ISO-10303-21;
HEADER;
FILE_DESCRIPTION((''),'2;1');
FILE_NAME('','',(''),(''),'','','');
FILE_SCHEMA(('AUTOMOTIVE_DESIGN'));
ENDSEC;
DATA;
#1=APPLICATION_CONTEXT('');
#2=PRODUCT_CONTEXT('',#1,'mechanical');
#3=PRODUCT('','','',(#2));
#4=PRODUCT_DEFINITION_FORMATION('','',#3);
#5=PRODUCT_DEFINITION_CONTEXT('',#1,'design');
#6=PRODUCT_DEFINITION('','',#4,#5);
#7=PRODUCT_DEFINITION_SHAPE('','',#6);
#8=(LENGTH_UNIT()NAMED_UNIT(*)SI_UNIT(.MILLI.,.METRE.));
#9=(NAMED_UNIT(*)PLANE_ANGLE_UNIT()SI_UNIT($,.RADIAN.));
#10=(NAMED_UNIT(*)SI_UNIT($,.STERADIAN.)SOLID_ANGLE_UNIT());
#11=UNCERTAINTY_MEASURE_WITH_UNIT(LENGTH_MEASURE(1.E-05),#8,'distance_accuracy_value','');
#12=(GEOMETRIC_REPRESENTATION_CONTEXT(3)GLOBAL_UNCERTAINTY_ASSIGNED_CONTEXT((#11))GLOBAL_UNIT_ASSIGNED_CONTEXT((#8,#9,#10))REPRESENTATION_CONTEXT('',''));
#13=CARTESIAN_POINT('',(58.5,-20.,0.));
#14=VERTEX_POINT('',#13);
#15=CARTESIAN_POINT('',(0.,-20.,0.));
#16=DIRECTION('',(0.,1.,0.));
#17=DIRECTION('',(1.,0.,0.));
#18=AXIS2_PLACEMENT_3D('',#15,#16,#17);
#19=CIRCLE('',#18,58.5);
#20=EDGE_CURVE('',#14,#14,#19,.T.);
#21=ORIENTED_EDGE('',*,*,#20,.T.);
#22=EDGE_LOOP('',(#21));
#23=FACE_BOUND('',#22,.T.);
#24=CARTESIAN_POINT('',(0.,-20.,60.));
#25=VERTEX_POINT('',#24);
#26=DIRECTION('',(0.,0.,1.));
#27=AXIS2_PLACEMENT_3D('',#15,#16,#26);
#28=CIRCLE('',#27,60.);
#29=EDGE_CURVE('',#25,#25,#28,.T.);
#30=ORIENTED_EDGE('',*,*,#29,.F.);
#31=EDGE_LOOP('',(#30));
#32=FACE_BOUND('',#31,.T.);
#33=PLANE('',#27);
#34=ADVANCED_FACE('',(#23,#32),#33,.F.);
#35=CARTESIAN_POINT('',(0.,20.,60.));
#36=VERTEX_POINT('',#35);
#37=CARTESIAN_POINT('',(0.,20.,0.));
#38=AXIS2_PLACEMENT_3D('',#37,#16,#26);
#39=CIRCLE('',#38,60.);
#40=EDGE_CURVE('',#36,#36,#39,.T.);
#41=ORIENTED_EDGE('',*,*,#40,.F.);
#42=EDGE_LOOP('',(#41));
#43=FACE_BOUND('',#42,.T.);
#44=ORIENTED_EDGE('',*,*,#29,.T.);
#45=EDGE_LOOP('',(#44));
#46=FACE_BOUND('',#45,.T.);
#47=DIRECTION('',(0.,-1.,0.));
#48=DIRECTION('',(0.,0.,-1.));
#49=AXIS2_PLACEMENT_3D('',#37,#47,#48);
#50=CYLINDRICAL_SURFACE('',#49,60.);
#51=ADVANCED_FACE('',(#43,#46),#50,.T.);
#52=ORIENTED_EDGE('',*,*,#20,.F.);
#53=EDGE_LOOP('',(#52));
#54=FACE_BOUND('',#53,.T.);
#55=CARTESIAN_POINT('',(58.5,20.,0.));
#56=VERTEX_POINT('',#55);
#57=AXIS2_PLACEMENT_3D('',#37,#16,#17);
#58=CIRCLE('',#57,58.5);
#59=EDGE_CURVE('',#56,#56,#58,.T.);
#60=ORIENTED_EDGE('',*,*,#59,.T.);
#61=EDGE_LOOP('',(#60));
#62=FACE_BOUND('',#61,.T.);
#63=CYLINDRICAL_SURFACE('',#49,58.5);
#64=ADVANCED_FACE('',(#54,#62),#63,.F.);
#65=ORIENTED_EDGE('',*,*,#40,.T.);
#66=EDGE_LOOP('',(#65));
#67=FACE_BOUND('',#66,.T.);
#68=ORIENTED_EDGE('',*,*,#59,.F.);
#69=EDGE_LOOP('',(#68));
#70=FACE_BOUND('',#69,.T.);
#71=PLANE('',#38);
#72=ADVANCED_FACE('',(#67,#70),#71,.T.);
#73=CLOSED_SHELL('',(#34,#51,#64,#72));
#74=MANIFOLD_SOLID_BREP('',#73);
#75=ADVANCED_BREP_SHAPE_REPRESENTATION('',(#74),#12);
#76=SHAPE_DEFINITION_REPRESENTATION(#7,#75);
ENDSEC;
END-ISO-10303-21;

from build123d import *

# Parameters (mm, degrees)
SCHIZZO1_R                = 60
SCHIZZO1_R_2              = 58.5
ESTRUSIONE_SOTTILE1_DEPTH = 20


with BuildPart() as part:
    # Schizzo1 → Estrusione-Sottile1 (new, symmetric)
    with BuildSketch(Plane(origin=(0, 0, 0), x_dir=(1, 0, 0), z_dir=(0, 1, 0))):
        Circle(SCHIZZO1_R)
        Circle(SCHIZZO1_R_2, mode=Mode.SUBTRACT)
    extrude(amount=ESTRUSIONE_SOTTILE1_DEPTH, both=True)


solid = part.part
